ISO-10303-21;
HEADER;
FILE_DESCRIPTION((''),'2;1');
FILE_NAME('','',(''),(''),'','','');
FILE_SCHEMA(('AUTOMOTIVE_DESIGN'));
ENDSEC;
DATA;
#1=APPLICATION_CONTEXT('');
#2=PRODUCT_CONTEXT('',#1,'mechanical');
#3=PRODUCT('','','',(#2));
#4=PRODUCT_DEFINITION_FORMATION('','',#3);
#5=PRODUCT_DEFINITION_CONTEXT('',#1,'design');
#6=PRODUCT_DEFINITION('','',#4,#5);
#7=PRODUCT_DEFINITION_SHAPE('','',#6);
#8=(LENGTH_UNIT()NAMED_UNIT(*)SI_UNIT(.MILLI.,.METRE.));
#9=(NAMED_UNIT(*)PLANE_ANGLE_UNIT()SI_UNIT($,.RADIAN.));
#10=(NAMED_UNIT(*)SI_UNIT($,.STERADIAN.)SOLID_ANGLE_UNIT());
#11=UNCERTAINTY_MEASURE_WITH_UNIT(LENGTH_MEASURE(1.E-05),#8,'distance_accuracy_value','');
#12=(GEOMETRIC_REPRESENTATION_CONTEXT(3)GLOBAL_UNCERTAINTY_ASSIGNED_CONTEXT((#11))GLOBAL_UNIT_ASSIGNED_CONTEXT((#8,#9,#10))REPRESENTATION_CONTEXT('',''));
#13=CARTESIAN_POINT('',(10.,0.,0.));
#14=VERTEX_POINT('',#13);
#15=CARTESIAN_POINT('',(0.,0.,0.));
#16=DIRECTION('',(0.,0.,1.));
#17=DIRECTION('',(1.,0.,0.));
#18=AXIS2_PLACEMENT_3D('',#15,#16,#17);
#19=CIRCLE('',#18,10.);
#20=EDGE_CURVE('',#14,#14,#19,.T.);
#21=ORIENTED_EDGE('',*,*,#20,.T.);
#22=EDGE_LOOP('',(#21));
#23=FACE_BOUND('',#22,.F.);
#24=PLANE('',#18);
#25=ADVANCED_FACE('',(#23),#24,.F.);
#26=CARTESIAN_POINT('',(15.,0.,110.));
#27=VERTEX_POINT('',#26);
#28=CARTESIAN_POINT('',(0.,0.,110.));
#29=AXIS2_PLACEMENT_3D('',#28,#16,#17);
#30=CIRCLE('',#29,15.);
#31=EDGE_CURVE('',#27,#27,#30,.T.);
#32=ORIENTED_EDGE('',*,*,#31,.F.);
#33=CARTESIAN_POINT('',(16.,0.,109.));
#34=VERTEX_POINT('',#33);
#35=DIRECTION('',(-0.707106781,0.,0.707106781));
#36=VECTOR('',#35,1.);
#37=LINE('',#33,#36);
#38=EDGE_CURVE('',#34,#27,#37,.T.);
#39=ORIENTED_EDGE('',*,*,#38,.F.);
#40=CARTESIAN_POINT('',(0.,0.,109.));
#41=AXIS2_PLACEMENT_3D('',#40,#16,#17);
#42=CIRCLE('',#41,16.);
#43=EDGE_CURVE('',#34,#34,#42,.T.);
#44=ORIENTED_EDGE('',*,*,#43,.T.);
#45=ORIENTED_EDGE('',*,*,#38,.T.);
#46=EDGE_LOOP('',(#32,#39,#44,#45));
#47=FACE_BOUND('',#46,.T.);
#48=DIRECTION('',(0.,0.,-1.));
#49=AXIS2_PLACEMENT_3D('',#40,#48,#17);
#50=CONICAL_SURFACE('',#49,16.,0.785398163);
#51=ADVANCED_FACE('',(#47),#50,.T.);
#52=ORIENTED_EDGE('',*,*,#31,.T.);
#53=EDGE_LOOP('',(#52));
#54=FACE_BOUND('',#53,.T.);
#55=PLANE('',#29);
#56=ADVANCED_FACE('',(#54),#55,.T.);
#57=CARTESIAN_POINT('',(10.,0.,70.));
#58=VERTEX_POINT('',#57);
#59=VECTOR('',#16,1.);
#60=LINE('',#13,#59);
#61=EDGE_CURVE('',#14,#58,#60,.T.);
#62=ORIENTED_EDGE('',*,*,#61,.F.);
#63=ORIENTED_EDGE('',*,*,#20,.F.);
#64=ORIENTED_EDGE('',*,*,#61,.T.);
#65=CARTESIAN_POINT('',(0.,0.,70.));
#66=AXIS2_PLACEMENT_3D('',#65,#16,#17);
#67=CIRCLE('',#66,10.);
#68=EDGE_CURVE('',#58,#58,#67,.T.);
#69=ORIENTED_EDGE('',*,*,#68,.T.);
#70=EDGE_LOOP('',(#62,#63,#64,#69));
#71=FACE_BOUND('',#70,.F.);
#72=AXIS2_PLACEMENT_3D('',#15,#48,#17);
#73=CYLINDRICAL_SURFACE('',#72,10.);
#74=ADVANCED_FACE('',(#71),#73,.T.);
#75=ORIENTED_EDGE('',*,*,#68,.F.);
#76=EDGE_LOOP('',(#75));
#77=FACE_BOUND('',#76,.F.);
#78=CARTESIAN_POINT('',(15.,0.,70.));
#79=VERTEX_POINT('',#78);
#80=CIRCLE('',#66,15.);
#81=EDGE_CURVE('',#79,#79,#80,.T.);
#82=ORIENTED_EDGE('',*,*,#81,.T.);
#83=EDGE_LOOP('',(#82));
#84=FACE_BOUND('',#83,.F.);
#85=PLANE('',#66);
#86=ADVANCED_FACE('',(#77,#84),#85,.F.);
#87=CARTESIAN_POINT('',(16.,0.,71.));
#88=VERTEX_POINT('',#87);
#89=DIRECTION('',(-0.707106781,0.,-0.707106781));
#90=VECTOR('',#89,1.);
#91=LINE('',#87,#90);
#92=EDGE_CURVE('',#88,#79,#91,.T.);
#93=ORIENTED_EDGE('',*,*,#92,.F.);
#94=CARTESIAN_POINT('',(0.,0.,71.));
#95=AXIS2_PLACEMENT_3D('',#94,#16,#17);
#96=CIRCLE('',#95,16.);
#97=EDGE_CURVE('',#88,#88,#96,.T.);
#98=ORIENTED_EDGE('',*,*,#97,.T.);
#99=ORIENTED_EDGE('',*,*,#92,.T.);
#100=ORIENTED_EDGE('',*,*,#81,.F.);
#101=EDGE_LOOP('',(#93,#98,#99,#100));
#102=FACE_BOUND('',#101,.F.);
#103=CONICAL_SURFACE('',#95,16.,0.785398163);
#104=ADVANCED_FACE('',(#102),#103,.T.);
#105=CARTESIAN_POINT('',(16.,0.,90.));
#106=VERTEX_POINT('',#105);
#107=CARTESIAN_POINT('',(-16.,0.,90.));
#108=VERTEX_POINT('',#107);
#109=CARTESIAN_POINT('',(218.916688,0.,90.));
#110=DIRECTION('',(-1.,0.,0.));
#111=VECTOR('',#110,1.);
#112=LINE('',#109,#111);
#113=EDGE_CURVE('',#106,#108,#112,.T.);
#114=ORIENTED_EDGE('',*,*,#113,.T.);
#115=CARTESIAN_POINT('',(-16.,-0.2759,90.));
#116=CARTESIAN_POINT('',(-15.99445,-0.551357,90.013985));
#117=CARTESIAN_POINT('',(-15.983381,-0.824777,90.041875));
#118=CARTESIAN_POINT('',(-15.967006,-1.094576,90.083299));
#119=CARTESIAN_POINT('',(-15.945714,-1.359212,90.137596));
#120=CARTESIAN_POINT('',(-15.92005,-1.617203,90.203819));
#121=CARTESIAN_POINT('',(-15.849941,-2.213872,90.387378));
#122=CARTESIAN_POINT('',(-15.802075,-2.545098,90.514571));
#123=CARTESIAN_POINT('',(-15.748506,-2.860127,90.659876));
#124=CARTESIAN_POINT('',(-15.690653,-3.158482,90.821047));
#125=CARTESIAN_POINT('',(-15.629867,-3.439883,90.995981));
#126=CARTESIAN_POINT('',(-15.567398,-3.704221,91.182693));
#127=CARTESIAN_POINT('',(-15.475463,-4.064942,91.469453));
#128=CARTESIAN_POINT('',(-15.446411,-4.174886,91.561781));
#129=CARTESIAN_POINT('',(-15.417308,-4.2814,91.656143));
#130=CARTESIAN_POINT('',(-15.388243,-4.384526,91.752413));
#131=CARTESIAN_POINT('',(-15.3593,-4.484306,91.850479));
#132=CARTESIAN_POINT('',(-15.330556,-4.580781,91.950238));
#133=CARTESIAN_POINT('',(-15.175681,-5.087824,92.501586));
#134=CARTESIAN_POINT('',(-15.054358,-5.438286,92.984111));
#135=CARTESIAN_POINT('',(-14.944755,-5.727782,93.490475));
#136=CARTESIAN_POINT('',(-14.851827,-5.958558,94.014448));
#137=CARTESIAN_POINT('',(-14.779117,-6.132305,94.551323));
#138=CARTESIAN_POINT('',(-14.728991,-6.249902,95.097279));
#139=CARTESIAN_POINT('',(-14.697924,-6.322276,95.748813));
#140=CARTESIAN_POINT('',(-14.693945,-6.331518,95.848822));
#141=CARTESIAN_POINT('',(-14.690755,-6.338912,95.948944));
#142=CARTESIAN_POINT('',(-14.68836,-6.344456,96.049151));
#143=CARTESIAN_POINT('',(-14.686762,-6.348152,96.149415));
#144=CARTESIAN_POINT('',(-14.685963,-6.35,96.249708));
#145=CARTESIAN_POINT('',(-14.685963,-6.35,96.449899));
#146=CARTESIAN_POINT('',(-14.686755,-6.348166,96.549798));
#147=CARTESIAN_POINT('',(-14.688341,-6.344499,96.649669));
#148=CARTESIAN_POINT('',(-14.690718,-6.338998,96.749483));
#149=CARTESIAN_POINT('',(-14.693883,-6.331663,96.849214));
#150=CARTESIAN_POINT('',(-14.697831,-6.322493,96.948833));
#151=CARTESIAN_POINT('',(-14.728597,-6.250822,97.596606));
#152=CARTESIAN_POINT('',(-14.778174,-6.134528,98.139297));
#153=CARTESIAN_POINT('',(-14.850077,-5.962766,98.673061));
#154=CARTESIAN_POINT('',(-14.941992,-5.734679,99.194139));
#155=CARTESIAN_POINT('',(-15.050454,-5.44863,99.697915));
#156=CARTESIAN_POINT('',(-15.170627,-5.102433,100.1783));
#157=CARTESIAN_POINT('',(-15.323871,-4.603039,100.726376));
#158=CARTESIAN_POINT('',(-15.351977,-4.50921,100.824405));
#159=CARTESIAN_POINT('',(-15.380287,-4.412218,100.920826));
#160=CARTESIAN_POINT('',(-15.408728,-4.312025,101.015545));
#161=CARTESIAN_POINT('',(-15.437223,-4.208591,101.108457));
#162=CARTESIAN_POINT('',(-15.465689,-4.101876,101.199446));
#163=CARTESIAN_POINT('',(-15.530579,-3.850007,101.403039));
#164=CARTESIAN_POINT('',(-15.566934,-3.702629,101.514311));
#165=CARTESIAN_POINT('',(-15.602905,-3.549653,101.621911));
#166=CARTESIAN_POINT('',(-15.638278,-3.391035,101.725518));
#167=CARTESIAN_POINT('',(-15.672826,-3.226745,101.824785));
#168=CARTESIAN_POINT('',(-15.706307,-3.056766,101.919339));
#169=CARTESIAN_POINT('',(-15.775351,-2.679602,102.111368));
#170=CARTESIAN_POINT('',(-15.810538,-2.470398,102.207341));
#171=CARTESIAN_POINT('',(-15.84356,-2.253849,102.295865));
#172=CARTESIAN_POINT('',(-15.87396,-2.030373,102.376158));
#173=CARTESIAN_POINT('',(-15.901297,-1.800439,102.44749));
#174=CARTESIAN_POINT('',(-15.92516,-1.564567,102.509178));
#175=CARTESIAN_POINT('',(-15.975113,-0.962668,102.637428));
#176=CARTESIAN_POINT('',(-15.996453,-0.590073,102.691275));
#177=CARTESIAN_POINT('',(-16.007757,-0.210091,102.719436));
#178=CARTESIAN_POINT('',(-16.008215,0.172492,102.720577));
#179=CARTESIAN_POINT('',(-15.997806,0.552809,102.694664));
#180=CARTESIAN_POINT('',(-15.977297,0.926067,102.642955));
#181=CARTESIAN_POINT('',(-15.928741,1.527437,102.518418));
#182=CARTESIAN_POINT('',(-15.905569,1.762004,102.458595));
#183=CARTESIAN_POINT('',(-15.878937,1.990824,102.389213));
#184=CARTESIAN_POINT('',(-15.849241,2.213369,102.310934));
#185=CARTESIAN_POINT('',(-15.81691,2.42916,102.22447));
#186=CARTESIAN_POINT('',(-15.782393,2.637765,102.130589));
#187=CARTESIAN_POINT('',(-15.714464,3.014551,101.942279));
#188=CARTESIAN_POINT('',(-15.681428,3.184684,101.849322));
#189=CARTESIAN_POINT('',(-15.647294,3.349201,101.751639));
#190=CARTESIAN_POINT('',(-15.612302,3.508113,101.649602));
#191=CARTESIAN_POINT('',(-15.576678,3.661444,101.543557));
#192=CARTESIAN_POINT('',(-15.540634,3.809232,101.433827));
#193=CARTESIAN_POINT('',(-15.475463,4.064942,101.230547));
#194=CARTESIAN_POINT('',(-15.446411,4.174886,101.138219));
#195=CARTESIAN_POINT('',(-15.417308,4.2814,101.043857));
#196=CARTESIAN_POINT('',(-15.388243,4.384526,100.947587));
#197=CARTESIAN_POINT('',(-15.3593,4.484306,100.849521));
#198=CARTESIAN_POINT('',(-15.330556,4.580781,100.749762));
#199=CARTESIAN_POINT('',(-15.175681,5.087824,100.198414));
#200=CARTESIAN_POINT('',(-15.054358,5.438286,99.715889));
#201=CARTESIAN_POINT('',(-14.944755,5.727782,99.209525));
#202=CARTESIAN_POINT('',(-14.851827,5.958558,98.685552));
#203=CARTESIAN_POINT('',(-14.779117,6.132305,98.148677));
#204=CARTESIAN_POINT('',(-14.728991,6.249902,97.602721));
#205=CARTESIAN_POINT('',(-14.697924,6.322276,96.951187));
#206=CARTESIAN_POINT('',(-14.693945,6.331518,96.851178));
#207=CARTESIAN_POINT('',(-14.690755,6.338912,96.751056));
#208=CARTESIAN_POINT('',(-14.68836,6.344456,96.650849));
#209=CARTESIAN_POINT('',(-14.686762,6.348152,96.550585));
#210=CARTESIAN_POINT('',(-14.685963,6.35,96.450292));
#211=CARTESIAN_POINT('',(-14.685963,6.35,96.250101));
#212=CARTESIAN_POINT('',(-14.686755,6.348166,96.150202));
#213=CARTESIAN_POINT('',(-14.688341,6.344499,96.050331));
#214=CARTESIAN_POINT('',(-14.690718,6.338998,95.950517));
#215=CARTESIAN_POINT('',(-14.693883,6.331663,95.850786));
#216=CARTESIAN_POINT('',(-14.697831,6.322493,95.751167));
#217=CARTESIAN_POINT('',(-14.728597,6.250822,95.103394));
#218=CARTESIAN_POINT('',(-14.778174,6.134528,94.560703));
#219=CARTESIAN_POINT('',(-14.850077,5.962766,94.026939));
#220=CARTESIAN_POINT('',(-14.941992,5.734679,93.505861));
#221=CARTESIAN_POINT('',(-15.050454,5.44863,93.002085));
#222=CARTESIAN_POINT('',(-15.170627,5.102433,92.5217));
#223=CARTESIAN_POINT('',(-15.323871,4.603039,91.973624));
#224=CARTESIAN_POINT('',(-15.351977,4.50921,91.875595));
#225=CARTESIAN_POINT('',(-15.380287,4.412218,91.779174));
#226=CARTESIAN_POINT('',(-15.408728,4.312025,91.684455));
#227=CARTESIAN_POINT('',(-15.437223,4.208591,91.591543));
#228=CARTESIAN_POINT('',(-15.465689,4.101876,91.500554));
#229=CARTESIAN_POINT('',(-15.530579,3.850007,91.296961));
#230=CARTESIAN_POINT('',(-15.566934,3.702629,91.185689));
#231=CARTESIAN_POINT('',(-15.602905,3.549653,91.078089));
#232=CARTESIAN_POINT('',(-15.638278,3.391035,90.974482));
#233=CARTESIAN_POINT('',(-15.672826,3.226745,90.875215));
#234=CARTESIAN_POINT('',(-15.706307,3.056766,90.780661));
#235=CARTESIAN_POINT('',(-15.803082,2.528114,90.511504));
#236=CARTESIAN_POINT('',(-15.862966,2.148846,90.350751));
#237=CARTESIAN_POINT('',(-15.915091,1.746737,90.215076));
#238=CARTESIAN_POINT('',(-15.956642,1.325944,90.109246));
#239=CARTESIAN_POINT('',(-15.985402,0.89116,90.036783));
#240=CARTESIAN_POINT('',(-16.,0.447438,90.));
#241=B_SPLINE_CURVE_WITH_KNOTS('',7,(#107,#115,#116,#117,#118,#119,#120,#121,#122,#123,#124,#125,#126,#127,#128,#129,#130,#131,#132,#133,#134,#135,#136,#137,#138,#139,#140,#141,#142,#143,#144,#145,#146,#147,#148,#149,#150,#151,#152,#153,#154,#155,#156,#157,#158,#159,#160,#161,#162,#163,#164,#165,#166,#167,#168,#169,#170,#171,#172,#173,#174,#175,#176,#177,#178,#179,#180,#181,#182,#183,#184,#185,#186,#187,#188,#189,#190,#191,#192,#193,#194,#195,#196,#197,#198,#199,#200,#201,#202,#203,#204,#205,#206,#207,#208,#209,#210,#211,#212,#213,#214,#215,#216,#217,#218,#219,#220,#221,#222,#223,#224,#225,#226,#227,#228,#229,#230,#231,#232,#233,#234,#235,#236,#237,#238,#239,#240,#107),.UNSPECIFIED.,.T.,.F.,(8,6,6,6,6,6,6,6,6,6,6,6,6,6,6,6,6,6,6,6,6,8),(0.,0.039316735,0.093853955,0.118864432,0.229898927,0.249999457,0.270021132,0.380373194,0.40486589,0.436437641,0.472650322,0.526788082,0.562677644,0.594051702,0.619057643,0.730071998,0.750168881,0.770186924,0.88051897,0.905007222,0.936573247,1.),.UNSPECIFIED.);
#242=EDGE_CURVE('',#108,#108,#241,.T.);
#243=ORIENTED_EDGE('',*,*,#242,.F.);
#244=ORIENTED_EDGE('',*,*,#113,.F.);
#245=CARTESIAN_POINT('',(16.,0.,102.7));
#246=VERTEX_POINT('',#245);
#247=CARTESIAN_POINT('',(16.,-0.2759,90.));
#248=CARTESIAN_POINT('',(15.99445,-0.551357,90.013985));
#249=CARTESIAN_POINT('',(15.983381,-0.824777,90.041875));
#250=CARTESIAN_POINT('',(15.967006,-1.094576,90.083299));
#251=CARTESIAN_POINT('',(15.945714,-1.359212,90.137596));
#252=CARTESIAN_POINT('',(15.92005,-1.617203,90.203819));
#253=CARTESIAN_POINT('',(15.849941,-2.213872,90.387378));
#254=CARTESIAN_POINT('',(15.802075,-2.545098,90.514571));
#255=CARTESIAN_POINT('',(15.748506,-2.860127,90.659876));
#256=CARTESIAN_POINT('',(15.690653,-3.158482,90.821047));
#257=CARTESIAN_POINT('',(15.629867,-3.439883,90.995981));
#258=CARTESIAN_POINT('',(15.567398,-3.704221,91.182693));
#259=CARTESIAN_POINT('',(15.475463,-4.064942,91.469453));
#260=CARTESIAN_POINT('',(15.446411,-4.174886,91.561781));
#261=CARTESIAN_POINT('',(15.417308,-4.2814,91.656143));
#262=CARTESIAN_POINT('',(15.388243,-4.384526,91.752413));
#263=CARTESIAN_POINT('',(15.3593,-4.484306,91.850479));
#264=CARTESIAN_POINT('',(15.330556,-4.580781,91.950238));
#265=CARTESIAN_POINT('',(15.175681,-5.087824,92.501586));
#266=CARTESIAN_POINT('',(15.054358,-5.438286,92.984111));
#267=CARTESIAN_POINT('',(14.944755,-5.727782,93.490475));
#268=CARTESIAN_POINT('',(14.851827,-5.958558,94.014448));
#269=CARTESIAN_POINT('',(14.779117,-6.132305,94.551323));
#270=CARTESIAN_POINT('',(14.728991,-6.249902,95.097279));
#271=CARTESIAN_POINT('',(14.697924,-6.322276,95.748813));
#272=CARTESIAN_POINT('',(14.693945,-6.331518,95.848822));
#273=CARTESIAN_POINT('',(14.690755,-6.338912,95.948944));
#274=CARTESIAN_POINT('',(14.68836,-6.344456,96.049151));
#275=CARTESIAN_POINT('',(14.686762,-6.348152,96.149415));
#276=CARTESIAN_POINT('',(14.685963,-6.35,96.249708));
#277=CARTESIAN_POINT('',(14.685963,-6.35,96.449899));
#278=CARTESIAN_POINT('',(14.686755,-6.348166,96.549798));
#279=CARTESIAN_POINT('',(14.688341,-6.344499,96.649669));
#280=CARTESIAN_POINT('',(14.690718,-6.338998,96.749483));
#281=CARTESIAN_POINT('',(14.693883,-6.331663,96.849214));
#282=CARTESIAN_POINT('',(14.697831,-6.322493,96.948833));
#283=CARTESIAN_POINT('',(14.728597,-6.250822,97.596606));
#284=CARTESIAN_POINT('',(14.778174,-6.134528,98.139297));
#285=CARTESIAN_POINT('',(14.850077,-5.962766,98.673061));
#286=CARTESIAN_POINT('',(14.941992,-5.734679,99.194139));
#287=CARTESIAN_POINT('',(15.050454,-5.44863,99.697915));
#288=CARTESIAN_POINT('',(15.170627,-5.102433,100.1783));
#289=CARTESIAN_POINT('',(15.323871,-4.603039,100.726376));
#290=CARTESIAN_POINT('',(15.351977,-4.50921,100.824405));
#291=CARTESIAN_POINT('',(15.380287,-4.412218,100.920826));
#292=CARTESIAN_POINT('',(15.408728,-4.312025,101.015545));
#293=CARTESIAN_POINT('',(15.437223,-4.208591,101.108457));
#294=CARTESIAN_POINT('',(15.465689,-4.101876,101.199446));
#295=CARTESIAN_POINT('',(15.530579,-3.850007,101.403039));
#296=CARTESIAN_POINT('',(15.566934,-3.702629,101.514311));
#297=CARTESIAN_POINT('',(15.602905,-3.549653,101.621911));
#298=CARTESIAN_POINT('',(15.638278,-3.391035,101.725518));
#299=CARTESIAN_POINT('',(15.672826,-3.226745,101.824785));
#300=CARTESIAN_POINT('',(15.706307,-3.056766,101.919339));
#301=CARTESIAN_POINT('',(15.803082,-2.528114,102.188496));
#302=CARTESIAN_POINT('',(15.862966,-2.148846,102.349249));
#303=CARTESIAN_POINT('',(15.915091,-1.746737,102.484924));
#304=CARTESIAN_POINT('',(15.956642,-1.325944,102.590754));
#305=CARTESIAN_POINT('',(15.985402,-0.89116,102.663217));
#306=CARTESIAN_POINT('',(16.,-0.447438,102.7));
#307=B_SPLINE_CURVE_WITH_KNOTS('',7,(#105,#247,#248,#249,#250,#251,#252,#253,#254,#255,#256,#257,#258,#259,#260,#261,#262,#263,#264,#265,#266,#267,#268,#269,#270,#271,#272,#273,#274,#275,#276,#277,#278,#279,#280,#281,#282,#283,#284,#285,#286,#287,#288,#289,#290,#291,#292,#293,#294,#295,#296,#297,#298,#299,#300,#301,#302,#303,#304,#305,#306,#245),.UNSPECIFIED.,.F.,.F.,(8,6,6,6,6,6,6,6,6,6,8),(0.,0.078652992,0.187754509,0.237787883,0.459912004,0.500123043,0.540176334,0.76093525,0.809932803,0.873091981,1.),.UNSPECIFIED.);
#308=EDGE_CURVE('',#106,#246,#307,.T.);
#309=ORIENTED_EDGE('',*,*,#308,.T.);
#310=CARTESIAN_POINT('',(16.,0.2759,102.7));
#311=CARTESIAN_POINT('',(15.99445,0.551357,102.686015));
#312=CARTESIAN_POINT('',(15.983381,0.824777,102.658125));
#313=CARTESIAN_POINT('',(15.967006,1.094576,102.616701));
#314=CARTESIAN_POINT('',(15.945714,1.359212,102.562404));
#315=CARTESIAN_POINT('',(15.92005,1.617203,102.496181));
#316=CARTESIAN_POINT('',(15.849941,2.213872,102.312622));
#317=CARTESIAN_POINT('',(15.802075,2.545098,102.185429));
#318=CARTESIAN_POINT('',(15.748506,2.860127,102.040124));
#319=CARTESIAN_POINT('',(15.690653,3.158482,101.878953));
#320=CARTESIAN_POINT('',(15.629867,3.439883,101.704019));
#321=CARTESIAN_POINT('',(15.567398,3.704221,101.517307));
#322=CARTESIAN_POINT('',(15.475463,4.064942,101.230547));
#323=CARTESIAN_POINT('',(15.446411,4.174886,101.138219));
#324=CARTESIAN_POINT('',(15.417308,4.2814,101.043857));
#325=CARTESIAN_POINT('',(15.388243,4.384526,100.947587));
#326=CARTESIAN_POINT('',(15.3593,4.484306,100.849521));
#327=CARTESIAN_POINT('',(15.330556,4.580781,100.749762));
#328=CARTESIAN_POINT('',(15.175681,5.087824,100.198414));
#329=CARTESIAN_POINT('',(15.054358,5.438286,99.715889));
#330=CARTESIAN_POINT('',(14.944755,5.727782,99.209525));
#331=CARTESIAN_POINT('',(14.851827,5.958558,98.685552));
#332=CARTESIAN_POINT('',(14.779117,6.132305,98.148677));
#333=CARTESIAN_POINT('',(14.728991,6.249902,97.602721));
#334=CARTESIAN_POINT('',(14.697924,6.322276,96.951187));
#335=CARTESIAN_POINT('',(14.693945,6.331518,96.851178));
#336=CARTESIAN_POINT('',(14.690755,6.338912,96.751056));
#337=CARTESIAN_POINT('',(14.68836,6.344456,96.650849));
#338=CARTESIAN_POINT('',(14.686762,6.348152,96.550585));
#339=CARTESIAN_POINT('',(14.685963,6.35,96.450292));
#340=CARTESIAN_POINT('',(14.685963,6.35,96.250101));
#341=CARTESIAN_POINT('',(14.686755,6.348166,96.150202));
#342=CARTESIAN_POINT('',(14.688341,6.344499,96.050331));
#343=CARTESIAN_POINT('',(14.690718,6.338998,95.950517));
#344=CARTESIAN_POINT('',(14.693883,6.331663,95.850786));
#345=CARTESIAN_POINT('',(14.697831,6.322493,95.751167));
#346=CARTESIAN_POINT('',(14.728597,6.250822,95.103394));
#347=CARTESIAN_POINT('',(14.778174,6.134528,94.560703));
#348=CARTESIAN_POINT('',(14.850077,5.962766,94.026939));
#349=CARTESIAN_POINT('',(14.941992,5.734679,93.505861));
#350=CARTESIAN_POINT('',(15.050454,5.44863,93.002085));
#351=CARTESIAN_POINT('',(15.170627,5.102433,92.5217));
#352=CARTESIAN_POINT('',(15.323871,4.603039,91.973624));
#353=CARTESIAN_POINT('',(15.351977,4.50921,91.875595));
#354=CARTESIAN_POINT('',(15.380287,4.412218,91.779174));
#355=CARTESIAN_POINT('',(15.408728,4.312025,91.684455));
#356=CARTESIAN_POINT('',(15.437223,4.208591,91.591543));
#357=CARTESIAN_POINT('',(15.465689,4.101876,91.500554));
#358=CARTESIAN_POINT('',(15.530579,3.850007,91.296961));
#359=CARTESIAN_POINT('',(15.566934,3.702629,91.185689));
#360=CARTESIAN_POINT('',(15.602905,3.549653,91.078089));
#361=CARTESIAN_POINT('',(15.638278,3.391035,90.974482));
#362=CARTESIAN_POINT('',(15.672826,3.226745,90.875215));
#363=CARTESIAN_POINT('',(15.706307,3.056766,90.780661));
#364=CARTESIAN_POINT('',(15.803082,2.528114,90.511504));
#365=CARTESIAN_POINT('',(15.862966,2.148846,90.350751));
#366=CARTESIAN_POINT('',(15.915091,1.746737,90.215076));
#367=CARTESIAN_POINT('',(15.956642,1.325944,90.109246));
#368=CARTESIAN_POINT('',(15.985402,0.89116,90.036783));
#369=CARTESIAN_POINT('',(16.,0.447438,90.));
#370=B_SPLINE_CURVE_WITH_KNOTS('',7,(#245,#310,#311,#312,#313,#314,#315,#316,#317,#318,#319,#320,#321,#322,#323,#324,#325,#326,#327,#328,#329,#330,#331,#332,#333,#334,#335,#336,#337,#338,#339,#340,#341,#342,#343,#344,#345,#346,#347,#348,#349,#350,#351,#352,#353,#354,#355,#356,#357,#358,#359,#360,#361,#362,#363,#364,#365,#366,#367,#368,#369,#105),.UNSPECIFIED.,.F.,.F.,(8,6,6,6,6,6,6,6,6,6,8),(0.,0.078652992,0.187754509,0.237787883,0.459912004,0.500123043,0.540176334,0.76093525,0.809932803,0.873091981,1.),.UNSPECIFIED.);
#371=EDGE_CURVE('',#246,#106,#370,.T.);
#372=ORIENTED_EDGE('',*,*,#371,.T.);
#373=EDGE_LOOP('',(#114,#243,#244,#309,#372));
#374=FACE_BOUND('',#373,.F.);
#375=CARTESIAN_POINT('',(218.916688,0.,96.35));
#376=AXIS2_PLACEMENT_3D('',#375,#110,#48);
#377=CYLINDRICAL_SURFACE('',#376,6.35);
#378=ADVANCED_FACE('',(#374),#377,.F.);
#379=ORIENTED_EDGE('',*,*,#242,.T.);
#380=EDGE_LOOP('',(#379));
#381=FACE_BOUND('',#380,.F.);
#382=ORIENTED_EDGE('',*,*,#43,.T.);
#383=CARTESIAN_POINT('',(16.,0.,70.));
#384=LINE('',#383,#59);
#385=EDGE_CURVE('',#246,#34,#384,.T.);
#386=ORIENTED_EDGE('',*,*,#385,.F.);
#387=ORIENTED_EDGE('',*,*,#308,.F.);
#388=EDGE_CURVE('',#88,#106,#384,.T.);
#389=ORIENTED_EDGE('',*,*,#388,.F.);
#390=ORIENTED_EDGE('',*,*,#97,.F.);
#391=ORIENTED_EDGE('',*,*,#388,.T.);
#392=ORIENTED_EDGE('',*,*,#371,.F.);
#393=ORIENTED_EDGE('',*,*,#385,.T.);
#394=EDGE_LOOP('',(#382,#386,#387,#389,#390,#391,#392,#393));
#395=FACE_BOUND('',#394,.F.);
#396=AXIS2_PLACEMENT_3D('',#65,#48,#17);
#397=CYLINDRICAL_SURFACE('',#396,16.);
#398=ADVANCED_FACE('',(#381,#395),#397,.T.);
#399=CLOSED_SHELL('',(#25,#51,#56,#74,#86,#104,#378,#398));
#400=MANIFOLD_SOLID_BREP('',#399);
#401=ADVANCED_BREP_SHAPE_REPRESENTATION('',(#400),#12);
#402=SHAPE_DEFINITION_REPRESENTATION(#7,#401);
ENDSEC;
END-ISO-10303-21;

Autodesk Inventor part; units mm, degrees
ref_plane "YZ Plane" through (0, 0, 0) normal (1, 0, 0) x (0, 1, 0)
ref_plane "XZ Plane" through (0, 0, 0) normal (0, 1, 0) x (-1, 0, 0)
ref_plane "XY Plane" through (0, 0, 0) normal (0, 0, 1) x (1, 0, 0)
sketch "Sketch1" plane through (0, 0, 0) normal (0, 0, 1) x (1, 0, 0)
  circle A0 centre (0, 0) radius 10
  dimension "d0" = 20
extrude "Extrusion1" add sketch "Sketch1" along normal blind 70
sketch "Sketch2" plane through (0, 0, 70) normal (0, 0, 1) x (1, 0, 0)
  circle A0 centre (0, 0) radius 16
  dimension "d3" = 32
extrude "Extrusion2" add sketch "Sketch2" along normal blind 40
sketch "Sketch3" plane through (0, 0, 0) normal (1, 0, 0) x (0, 1, 0)
  line L0 (16, 70) -> (-16, 70) projected
  point P0 (0, 0)
  point P1 (0, 96.35)
  dimension "d6" = 26.35
hole "Hole1" at (0, 0, 96.35) direction (-1, 0, 0) diameter 12.7 end through all both
thread "Thread1" size "M20x2.5" class "6g" standard "ANSI Metric M Profile" full length
chamfer "Chamfer1" distance 1 angle 45 2 edges at (-16, 0, 110) (-16, 0, 70)
properties part number "CompressionGripAttachment"
